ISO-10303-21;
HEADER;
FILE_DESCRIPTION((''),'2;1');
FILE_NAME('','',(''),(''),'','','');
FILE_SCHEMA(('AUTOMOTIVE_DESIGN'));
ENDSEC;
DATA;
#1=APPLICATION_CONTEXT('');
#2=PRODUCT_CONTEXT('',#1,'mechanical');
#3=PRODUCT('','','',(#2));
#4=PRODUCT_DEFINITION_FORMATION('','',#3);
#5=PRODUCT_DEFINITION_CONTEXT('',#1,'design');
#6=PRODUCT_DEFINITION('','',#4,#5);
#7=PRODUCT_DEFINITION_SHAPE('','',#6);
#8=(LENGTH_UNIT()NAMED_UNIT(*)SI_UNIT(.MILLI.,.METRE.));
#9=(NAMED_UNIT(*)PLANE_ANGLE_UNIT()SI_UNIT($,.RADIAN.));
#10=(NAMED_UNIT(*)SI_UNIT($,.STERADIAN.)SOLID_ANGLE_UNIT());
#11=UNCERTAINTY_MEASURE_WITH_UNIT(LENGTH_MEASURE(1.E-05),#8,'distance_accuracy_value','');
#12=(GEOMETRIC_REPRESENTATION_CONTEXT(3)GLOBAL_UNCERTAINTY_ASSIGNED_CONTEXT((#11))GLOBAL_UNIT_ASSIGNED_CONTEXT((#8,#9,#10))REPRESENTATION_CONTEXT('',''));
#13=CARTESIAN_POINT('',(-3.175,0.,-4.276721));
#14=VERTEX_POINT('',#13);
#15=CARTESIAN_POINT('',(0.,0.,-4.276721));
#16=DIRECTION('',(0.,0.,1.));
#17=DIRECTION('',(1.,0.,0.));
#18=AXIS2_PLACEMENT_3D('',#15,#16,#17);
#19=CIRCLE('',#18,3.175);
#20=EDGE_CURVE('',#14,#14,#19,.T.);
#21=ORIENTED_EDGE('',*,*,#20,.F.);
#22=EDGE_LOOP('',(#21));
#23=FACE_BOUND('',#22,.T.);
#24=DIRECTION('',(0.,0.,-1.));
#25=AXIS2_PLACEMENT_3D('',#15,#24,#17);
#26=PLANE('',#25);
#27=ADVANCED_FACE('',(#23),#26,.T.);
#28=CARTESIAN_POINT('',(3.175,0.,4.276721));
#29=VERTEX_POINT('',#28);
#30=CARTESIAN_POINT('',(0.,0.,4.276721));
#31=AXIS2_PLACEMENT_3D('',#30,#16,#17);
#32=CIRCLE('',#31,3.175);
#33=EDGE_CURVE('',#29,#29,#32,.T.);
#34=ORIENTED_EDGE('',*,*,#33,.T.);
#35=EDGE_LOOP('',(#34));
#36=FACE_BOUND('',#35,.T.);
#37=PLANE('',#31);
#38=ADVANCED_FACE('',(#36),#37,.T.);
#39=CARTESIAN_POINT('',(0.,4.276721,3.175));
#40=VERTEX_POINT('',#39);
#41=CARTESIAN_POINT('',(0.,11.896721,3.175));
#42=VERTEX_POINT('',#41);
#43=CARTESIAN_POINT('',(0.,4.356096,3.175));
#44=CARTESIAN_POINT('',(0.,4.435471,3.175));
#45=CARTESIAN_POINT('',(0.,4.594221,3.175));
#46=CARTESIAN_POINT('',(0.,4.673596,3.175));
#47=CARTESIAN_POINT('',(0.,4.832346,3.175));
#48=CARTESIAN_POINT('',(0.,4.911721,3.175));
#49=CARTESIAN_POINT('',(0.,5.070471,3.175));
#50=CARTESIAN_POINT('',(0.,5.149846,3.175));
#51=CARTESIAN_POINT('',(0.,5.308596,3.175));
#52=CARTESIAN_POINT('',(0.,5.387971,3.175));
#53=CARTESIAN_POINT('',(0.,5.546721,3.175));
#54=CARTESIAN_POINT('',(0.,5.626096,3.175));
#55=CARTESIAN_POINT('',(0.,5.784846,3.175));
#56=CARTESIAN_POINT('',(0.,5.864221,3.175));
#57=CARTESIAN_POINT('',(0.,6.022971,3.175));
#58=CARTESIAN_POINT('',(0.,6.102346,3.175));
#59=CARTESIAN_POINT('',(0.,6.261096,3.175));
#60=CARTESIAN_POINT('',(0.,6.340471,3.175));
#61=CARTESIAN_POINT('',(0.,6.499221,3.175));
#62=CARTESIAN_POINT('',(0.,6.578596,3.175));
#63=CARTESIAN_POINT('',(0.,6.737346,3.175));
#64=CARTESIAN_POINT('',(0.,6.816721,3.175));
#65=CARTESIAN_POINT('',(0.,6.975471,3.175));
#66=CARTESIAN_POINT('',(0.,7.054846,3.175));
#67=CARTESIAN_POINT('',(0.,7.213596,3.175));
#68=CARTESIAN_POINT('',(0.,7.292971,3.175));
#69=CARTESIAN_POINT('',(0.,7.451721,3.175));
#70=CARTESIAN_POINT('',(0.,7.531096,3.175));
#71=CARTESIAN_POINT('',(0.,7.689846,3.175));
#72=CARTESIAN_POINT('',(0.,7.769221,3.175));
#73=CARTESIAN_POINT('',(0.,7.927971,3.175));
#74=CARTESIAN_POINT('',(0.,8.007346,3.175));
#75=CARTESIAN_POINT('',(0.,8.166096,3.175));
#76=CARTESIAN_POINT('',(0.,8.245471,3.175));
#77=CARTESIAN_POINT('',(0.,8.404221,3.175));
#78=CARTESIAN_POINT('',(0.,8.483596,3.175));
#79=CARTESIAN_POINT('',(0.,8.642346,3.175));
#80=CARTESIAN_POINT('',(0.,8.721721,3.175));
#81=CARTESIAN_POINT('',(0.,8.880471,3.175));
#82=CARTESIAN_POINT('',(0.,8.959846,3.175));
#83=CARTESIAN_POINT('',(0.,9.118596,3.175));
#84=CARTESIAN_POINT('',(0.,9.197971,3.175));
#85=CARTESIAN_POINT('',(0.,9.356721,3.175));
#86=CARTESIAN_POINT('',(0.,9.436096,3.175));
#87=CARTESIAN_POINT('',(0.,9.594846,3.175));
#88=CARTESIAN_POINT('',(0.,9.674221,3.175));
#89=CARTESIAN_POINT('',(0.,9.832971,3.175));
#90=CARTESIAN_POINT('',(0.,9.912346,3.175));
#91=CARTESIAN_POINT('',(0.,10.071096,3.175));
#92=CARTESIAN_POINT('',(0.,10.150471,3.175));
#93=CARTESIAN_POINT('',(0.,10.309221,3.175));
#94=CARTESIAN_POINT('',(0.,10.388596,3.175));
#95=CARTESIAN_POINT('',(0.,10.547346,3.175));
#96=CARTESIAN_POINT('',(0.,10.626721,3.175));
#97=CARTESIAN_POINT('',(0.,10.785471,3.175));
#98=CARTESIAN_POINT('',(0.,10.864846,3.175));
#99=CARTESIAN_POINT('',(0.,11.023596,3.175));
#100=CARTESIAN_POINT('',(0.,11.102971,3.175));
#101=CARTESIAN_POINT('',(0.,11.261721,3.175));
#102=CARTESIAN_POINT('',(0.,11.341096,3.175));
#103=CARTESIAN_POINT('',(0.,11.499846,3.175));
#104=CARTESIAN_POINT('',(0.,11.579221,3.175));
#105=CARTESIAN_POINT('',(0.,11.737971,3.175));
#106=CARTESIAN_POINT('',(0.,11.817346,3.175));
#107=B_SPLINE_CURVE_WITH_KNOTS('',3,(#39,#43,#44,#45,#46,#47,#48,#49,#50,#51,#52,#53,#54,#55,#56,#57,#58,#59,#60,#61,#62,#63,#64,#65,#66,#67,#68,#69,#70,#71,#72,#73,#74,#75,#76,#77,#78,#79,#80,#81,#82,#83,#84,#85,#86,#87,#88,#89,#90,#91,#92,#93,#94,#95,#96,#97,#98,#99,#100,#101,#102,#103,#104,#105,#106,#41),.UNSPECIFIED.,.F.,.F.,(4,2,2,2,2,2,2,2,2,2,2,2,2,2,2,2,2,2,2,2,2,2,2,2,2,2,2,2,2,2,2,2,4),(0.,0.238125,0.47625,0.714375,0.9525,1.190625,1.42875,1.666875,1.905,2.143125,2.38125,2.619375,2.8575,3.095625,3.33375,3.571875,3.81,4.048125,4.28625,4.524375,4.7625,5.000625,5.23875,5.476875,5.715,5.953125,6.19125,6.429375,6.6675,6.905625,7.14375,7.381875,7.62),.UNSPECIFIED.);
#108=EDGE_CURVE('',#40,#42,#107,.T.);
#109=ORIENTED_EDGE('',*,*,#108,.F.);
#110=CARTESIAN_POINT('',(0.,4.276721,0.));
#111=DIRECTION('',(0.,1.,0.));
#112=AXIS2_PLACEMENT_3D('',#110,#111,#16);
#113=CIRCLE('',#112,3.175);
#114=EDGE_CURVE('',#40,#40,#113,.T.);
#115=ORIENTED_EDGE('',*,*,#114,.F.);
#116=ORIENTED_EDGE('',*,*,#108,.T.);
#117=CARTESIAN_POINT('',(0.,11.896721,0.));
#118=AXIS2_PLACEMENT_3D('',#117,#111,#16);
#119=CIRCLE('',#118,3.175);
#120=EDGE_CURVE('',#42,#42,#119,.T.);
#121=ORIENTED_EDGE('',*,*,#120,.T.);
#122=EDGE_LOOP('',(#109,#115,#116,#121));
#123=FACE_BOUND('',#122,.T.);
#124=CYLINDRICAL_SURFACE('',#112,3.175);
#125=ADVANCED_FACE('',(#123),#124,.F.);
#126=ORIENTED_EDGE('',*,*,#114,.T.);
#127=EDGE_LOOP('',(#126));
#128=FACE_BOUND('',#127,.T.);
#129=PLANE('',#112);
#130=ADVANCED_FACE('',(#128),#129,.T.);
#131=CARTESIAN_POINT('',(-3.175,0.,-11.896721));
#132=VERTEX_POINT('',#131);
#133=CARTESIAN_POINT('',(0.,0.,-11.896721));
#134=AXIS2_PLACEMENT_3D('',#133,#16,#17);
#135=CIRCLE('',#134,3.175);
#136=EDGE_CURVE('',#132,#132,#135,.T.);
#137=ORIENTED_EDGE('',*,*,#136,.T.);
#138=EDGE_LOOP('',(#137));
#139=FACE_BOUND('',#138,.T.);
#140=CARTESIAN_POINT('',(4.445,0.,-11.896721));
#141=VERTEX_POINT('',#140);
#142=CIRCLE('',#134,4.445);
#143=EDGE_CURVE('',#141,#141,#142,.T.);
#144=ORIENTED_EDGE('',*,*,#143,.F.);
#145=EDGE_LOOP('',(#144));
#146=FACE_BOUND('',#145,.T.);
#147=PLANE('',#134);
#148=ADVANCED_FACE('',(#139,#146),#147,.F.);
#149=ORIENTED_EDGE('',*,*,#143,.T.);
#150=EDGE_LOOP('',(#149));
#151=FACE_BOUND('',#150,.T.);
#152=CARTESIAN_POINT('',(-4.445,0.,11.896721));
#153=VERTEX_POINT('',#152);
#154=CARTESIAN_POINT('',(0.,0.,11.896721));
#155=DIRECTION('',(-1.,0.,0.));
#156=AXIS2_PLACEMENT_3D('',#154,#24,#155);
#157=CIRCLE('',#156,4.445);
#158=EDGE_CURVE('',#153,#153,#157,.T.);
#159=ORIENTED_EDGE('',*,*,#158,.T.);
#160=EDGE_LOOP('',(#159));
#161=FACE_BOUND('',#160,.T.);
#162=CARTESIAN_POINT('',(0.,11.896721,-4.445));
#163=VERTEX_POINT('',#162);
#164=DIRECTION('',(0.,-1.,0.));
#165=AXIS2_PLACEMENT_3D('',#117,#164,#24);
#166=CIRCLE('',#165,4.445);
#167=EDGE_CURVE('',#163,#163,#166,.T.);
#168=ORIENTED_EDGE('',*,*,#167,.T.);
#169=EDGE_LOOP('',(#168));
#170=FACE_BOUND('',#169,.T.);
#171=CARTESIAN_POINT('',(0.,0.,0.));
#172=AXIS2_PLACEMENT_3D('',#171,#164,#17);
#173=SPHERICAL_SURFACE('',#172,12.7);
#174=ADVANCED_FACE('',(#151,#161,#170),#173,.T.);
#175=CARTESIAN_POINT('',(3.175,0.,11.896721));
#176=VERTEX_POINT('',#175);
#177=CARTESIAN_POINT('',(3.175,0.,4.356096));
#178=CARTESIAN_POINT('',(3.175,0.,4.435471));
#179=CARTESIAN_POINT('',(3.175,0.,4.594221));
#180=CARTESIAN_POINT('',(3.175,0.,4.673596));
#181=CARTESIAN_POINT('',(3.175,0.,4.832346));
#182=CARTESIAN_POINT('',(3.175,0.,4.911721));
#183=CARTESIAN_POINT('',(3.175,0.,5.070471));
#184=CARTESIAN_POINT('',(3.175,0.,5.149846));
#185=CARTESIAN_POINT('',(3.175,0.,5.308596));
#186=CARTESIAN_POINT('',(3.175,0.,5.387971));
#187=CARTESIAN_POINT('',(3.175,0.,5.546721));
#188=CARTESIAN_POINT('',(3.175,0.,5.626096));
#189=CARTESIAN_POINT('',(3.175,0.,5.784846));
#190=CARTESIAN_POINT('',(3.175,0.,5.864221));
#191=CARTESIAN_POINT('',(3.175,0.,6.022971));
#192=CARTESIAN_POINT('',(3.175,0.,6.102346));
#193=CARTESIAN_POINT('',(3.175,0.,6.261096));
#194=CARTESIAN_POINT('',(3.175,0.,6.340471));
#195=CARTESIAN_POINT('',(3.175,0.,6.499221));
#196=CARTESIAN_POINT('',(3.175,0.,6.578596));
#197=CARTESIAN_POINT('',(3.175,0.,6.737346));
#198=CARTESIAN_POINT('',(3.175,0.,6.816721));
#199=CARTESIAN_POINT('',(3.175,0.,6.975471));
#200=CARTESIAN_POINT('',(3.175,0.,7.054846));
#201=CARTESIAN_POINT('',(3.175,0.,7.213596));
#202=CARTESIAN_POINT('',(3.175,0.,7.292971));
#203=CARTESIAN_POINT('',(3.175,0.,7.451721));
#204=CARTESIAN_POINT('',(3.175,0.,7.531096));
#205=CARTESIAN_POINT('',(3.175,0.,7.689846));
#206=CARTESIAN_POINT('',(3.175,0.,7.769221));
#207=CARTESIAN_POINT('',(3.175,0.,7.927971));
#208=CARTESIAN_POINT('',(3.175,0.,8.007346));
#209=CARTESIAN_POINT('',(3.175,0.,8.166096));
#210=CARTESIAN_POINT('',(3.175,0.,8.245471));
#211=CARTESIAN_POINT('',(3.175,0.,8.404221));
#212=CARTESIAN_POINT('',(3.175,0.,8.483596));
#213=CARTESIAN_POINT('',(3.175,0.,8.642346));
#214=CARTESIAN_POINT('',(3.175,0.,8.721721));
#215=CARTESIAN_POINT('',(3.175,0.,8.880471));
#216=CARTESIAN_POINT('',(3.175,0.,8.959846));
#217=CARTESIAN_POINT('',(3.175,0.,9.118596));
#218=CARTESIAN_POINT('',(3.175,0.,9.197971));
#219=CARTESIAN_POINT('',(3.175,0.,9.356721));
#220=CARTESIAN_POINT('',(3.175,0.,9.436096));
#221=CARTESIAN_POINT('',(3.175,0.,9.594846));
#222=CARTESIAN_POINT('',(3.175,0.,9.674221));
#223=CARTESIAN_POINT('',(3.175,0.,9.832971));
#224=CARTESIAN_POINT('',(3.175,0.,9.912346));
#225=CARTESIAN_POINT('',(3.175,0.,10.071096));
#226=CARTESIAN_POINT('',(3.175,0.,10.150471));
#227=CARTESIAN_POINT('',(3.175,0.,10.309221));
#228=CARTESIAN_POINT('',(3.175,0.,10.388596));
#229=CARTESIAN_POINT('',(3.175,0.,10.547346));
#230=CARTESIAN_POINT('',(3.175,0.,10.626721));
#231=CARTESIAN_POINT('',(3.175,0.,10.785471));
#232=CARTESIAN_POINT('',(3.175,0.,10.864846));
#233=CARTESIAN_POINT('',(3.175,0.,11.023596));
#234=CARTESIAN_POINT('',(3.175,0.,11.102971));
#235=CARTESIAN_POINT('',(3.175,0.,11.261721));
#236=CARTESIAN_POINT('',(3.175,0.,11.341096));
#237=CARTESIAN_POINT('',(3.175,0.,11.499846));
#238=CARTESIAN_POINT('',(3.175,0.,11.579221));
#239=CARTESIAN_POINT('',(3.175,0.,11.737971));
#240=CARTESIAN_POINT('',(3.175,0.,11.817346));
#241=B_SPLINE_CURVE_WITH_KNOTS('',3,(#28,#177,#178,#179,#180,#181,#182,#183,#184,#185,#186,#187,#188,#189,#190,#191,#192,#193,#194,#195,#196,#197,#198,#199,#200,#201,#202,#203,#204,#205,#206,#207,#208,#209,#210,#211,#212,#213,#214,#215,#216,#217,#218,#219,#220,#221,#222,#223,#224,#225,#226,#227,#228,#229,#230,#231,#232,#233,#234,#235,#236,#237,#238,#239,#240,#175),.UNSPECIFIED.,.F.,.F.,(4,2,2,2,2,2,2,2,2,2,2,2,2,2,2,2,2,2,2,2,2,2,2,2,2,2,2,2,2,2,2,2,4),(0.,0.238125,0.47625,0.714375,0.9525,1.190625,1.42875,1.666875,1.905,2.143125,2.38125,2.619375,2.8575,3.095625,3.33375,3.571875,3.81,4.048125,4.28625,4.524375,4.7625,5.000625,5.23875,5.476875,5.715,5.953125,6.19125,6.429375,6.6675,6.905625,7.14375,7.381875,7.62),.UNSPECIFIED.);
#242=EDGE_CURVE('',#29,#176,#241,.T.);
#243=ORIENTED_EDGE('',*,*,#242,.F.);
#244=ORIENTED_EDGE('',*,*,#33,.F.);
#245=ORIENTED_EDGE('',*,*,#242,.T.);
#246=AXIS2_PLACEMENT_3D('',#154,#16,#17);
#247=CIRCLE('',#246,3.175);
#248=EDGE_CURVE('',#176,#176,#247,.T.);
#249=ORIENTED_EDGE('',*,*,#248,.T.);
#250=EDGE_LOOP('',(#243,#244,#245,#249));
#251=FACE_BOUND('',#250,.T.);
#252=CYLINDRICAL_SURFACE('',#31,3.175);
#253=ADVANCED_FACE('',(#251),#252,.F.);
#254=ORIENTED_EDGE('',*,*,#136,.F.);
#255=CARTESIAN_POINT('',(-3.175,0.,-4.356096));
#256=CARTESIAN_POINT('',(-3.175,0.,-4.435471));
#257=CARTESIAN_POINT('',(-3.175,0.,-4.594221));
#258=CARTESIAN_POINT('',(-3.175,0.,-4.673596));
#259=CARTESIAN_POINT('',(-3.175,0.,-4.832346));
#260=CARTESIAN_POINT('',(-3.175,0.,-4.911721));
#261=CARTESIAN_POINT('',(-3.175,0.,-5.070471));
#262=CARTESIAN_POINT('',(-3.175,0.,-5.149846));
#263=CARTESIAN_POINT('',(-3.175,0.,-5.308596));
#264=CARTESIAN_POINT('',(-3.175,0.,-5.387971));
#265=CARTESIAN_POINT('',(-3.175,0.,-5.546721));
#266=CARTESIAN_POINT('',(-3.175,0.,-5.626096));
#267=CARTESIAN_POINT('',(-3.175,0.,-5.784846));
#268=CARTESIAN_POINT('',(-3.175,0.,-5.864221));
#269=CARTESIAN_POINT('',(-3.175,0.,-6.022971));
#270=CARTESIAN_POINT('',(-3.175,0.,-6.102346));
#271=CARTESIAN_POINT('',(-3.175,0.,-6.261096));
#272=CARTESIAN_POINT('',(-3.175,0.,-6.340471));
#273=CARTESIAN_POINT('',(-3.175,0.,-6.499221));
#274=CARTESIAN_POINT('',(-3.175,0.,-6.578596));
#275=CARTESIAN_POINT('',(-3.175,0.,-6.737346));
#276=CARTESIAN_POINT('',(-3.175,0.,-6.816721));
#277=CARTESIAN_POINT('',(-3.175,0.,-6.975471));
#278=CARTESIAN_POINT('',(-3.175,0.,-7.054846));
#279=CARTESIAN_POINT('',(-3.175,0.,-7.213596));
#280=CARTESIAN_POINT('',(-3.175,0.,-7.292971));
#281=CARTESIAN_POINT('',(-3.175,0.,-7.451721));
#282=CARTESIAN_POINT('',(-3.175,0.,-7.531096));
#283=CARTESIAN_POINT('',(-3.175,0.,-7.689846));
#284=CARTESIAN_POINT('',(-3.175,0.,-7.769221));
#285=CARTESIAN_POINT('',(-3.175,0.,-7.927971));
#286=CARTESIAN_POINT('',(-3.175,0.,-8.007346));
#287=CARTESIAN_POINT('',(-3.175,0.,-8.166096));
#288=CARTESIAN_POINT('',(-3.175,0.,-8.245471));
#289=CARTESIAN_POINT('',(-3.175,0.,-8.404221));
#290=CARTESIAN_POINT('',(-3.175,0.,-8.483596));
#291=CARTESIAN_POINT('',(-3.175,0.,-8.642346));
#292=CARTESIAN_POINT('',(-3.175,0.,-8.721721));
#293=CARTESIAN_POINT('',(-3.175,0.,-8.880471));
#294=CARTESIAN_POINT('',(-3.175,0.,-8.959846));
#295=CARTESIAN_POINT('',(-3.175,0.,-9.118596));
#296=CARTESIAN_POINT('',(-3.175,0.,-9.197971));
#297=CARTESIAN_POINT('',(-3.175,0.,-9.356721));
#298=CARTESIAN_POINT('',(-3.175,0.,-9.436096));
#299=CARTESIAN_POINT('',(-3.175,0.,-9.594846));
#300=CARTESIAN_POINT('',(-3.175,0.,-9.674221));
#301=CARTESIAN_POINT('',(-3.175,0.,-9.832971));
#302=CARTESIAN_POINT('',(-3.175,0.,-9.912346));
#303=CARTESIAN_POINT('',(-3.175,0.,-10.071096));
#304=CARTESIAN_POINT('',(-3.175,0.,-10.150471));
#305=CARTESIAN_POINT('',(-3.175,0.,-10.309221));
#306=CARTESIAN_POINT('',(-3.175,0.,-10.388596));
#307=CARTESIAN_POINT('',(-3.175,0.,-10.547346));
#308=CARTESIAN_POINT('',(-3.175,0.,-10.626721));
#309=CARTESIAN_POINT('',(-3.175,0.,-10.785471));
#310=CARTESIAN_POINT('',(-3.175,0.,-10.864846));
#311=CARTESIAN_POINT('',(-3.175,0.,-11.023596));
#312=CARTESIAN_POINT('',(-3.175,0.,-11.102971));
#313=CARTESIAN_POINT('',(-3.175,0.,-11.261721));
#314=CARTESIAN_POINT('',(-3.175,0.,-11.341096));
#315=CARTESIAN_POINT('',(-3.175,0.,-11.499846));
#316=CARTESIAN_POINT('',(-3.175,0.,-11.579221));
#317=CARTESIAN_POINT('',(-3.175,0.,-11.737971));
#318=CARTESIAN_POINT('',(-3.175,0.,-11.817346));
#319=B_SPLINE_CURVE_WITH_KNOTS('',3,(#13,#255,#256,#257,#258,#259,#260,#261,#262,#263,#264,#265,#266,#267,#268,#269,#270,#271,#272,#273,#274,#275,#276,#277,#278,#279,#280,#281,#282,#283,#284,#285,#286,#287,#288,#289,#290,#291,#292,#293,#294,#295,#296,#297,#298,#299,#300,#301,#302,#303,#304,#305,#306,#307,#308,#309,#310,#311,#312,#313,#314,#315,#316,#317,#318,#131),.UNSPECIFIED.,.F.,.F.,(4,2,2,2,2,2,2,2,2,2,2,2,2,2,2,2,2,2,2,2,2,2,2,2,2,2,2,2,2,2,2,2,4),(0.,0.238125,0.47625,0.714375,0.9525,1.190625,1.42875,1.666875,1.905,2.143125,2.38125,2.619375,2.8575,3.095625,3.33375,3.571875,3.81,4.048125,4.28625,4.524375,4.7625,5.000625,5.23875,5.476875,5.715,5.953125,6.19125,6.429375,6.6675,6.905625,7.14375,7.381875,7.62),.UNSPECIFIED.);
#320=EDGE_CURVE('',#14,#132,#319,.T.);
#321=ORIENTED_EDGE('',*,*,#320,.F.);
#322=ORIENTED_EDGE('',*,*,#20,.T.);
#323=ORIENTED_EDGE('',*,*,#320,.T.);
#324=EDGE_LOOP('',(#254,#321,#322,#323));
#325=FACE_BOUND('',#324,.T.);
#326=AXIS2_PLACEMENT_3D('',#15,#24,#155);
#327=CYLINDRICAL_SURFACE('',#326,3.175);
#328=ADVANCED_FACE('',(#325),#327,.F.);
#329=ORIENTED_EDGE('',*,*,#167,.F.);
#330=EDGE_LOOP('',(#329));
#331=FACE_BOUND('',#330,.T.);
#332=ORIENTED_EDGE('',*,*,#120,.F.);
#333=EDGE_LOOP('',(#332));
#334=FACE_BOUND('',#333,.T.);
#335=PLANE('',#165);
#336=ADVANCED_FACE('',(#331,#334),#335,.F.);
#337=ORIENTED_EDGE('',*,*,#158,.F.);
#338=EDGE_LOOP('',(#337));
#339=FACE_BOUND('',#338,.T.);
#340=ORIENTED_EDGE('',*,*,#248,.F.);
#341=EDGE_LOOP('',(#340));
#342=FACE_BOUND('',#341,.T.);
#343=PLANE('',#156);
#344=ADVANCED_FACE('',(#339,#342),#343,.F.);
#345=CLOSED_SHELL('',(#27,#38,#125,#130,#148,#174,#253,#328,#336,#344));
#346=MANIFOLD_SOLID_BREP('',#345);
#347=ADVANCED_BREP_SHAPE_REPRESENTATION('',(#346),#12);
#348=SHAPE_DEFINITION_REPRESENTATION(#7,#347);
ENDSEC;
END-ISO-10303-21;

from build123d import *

# Parameters (mm, degrees)
CUT_EXTRUDE1_START = 11.896721
SKETCH3_R          = 4.445
CUT_EXTRUDE1_DEPTH = 2.54
SKETCH4_R          = 3.175
CUT_EXTRUDE2_DEPTH = 7.62
CUT_EXTRUDE3_START = 11.896721
SKETCH5_R          = 4.445
CUT_EXTRUDE3_DEPTH = 7.62
SKETCH6_R          = 3.175
CUT_EXTRUDE4_DEPTH = 7.62


with BuildPart() as part:
    # Sketch2 → Revolve2 (revolve)
    with BuildSketch(Plane.XY):
        with BuildLine():
            Line((0, 12.7), (0, -12.7))
            ThreePointArc((0, -12.7), (12.7, 0), (0, 12.7))
        make_face()
    revolve(axis=Axis((0, 0, 0), (0, 1, 0)))

    # Sketch3 → Cut-Extrude1 (cut)
    with BuildSketch(Plane.XY.offset(CUT_EXTRUDE1_START)):
        Circle(SKETCH3_R)
    cut_extrude1 = extrude(amount=CUT_EXTRUDE1_DEPTH, mode=Mode.SUBTRACT)

    # Sketch4 → Cut-Extrude2 (cut)
    with BuildSketch(Plane.XY.offset(11.896721187)):
        Circle(SKETCH4_R)
    cut_extrude2 = extrude(amount=-CUT_EXTRUDE2_DEPTH, mode=Mode.SUBTRACT)

    # Mirror1: Cut-Extrude1, Cut-Extrude2 across plane
    add(cut_extrude1.mirror(Plane.XY), mode=Mode.SUBTRACT)
    add(cut_extrude2.mirror(Plane.XY), mode=Mode.SUBTRACT)

    # Sketch5 → Cut-Extrude3 (cut)
    with BuildSketch(Plane(origin=(0, 0, 0), x_dir=(1, 0, 0), z_dir=(0, 1, 0)).offset(CUT_EXTRUDE3_START)):
        Circle(SKETCH5_R)
    extrude(amount=CUT_EXTRUDE3_DEPTH, mode=Mode.SUBTRACT)

    # Sketch6 → Cut-Extrude4 (cut)
    with BuildSketch(Plane(origin=(0, 11.896721187, 0), x_dir=(1, 0, 0), z_dir=(0, 1, 0))):
        with Locations(Location((0, 0, 0), (0, 0, 270))):
            Circle(SKETCH6_R)
    extrude(amount=-CUT_EXTRUDE4_DEPTH, mode=Mode.SUBTRACT)


solid = part.part
